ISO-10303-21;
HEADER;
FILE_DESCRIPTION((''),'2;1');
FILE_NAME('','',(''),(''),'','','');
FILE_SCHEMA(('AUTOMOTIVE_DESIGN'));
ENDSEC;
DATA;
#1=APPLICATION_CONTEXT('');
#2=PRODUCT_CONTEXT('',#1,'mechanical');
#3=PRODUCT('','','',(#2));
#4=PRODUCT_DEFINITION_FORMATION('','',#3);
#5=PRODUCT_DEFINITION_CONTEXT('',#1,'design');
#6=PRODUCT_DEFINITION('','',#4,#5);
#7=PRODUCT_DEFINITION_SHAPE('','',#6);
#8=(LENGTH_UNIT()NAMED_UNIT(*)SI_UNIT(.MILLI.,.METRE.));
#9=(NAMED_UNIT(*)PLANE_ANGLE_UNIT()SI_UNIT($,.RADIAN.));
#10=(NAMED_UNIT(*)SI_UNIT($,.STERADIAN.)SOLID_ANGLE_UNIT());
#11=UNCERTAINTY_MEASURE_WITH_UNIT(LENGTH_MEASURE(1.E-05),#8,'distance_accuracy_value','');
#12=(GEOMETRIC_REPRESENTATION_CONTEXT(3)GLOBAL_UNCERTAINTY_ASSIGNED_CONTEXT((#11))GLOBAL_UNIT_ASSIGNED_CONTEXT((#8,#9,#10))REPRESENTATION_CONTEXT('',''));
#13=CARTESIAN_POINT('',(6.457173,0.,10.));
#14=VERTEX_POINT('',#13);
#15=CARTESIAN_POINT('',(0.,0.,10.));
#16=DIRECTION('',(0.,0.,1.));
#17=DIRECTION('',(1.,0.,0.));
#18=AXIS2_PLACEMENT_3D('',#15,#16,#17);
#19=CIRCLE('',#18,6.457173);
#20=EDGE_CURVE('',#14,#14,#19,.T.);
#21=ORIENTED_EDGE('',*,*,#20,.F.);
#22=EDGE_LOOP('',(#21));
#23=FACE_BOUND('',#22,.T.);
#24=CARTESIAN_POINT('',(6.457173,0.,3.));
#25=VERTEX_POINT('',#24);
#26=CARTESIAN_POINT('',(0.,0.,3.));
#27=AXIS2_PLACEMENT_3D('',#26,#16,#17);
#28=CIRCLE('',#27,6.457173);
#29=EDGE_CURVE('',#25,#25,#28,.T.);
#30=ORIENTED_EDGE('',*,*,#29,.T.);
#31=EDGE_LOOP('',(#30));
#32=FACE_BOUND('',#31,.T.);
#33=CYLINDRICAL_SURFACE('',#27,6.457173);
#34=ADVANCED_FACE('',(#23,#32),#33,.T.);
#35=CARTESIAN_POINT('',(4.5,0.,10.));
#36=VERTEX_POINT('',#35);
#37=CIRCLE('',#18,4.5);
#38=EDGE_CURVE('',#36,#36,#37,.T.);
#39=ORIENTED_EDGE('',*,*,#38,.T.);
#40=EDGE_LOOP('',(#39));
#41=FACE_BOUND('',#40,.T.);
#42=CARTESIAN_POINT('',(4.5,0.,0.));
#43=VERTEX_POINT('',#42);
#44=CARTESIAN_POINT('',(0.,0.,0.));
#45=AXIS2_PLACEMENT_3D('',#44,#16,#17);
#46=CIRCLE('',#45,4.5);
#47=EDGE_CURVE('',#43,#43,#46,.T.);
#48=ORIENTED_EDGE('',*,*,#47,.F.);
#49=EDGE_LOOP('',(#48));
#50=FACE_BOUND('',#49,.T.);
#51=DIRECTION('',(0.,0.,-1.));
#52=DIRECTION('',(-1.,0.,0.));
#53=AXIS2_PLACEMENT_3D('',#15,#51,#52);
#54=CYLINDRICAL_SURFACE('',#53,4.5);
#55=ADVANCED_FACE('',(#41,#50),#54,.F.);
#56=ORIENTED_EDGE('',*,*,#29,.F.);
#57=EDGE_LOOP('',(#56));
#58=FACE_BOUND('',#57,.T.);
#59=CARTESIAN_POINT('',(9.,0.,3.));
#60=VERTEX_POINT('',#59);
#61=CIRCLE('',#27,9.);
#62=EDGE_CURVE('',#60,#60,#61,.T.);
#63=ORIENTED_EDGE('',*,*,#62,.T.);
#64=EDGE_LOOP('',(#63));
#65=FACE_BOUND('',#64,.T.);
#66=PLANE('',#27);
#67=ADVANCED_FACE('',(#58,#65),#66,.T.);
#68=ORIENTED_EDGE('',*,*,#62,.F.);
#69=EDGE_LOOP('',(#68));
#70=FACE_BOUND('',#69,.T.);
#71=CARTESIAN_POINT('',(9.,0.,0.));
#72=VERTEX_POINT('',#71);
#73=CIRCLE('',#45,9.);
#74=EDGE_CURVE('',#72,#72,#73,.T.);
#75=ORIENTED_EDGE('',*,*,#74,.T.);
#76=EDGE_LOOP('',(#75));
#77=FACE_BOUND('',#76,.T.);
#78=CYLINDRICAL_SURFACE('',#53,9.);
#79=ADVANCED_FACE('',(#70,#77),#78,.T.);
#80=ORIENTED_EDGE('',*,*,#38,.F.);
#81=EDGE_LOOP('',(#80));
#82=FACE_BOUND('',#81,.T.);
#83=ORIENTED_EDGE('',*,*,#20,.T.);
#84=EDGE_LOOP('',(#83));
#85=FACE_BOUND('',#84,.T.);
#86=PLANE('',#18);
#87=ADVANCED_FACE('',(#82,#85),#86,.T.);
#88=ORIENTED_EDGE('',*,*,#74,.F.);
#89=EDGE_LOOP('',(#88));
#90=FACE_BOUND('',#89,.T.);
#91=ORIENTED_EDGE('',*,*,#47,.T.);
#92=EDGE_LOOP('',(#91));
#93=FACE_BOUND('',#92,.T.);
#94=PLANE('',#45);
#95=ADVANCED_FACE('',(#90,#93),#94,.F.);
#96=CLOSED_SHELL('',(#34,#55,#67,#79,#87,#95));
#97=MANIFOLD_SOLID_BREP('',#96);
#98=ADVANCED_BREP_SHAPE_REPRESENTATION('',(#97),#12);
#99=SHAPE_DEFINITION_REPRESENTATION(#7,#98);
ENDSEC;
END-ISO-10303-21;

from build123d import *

# Parameters (mm, degrees)
SKETCH_1_R          = 9
SKETCH_1_R_2        = 4.5
EXTRUDE_1_DEPTH     = 10
CUT_EXTRUDE_START   = -7
SKETCH_2_R          = 9
SKETCH_2_R_2        = 6.457173098
CUT_EXTRUDE_1_DEPTH = 7


with BuildPart() as part:
    # Эскиз1 → Вытянуть1 (new body)
    with BuildSketch(Plane.XY):
        Circle(SKETCH_1_R)
        Circle(SKETCH_1_R_2, mode=Mode.SUBTRACT)
    extrude(amount=EXTRUDE_1_DEPTH)

    # Эскиз2 → Вырез-Вытянуть1 (cut)
    with BuildSketch(Plane.XY.offset(10).offset(CUT_EXTRUDE_START)):
        Circle(SKETCH_2_R)
        Circle(SKETCH_2_R_2, mode=Mode.SUBTRACT)
    extrude(amount=CUT_EXTRUDE_1_DEPTH, mode=Mode.SUBTRACT)


solid = part.part
